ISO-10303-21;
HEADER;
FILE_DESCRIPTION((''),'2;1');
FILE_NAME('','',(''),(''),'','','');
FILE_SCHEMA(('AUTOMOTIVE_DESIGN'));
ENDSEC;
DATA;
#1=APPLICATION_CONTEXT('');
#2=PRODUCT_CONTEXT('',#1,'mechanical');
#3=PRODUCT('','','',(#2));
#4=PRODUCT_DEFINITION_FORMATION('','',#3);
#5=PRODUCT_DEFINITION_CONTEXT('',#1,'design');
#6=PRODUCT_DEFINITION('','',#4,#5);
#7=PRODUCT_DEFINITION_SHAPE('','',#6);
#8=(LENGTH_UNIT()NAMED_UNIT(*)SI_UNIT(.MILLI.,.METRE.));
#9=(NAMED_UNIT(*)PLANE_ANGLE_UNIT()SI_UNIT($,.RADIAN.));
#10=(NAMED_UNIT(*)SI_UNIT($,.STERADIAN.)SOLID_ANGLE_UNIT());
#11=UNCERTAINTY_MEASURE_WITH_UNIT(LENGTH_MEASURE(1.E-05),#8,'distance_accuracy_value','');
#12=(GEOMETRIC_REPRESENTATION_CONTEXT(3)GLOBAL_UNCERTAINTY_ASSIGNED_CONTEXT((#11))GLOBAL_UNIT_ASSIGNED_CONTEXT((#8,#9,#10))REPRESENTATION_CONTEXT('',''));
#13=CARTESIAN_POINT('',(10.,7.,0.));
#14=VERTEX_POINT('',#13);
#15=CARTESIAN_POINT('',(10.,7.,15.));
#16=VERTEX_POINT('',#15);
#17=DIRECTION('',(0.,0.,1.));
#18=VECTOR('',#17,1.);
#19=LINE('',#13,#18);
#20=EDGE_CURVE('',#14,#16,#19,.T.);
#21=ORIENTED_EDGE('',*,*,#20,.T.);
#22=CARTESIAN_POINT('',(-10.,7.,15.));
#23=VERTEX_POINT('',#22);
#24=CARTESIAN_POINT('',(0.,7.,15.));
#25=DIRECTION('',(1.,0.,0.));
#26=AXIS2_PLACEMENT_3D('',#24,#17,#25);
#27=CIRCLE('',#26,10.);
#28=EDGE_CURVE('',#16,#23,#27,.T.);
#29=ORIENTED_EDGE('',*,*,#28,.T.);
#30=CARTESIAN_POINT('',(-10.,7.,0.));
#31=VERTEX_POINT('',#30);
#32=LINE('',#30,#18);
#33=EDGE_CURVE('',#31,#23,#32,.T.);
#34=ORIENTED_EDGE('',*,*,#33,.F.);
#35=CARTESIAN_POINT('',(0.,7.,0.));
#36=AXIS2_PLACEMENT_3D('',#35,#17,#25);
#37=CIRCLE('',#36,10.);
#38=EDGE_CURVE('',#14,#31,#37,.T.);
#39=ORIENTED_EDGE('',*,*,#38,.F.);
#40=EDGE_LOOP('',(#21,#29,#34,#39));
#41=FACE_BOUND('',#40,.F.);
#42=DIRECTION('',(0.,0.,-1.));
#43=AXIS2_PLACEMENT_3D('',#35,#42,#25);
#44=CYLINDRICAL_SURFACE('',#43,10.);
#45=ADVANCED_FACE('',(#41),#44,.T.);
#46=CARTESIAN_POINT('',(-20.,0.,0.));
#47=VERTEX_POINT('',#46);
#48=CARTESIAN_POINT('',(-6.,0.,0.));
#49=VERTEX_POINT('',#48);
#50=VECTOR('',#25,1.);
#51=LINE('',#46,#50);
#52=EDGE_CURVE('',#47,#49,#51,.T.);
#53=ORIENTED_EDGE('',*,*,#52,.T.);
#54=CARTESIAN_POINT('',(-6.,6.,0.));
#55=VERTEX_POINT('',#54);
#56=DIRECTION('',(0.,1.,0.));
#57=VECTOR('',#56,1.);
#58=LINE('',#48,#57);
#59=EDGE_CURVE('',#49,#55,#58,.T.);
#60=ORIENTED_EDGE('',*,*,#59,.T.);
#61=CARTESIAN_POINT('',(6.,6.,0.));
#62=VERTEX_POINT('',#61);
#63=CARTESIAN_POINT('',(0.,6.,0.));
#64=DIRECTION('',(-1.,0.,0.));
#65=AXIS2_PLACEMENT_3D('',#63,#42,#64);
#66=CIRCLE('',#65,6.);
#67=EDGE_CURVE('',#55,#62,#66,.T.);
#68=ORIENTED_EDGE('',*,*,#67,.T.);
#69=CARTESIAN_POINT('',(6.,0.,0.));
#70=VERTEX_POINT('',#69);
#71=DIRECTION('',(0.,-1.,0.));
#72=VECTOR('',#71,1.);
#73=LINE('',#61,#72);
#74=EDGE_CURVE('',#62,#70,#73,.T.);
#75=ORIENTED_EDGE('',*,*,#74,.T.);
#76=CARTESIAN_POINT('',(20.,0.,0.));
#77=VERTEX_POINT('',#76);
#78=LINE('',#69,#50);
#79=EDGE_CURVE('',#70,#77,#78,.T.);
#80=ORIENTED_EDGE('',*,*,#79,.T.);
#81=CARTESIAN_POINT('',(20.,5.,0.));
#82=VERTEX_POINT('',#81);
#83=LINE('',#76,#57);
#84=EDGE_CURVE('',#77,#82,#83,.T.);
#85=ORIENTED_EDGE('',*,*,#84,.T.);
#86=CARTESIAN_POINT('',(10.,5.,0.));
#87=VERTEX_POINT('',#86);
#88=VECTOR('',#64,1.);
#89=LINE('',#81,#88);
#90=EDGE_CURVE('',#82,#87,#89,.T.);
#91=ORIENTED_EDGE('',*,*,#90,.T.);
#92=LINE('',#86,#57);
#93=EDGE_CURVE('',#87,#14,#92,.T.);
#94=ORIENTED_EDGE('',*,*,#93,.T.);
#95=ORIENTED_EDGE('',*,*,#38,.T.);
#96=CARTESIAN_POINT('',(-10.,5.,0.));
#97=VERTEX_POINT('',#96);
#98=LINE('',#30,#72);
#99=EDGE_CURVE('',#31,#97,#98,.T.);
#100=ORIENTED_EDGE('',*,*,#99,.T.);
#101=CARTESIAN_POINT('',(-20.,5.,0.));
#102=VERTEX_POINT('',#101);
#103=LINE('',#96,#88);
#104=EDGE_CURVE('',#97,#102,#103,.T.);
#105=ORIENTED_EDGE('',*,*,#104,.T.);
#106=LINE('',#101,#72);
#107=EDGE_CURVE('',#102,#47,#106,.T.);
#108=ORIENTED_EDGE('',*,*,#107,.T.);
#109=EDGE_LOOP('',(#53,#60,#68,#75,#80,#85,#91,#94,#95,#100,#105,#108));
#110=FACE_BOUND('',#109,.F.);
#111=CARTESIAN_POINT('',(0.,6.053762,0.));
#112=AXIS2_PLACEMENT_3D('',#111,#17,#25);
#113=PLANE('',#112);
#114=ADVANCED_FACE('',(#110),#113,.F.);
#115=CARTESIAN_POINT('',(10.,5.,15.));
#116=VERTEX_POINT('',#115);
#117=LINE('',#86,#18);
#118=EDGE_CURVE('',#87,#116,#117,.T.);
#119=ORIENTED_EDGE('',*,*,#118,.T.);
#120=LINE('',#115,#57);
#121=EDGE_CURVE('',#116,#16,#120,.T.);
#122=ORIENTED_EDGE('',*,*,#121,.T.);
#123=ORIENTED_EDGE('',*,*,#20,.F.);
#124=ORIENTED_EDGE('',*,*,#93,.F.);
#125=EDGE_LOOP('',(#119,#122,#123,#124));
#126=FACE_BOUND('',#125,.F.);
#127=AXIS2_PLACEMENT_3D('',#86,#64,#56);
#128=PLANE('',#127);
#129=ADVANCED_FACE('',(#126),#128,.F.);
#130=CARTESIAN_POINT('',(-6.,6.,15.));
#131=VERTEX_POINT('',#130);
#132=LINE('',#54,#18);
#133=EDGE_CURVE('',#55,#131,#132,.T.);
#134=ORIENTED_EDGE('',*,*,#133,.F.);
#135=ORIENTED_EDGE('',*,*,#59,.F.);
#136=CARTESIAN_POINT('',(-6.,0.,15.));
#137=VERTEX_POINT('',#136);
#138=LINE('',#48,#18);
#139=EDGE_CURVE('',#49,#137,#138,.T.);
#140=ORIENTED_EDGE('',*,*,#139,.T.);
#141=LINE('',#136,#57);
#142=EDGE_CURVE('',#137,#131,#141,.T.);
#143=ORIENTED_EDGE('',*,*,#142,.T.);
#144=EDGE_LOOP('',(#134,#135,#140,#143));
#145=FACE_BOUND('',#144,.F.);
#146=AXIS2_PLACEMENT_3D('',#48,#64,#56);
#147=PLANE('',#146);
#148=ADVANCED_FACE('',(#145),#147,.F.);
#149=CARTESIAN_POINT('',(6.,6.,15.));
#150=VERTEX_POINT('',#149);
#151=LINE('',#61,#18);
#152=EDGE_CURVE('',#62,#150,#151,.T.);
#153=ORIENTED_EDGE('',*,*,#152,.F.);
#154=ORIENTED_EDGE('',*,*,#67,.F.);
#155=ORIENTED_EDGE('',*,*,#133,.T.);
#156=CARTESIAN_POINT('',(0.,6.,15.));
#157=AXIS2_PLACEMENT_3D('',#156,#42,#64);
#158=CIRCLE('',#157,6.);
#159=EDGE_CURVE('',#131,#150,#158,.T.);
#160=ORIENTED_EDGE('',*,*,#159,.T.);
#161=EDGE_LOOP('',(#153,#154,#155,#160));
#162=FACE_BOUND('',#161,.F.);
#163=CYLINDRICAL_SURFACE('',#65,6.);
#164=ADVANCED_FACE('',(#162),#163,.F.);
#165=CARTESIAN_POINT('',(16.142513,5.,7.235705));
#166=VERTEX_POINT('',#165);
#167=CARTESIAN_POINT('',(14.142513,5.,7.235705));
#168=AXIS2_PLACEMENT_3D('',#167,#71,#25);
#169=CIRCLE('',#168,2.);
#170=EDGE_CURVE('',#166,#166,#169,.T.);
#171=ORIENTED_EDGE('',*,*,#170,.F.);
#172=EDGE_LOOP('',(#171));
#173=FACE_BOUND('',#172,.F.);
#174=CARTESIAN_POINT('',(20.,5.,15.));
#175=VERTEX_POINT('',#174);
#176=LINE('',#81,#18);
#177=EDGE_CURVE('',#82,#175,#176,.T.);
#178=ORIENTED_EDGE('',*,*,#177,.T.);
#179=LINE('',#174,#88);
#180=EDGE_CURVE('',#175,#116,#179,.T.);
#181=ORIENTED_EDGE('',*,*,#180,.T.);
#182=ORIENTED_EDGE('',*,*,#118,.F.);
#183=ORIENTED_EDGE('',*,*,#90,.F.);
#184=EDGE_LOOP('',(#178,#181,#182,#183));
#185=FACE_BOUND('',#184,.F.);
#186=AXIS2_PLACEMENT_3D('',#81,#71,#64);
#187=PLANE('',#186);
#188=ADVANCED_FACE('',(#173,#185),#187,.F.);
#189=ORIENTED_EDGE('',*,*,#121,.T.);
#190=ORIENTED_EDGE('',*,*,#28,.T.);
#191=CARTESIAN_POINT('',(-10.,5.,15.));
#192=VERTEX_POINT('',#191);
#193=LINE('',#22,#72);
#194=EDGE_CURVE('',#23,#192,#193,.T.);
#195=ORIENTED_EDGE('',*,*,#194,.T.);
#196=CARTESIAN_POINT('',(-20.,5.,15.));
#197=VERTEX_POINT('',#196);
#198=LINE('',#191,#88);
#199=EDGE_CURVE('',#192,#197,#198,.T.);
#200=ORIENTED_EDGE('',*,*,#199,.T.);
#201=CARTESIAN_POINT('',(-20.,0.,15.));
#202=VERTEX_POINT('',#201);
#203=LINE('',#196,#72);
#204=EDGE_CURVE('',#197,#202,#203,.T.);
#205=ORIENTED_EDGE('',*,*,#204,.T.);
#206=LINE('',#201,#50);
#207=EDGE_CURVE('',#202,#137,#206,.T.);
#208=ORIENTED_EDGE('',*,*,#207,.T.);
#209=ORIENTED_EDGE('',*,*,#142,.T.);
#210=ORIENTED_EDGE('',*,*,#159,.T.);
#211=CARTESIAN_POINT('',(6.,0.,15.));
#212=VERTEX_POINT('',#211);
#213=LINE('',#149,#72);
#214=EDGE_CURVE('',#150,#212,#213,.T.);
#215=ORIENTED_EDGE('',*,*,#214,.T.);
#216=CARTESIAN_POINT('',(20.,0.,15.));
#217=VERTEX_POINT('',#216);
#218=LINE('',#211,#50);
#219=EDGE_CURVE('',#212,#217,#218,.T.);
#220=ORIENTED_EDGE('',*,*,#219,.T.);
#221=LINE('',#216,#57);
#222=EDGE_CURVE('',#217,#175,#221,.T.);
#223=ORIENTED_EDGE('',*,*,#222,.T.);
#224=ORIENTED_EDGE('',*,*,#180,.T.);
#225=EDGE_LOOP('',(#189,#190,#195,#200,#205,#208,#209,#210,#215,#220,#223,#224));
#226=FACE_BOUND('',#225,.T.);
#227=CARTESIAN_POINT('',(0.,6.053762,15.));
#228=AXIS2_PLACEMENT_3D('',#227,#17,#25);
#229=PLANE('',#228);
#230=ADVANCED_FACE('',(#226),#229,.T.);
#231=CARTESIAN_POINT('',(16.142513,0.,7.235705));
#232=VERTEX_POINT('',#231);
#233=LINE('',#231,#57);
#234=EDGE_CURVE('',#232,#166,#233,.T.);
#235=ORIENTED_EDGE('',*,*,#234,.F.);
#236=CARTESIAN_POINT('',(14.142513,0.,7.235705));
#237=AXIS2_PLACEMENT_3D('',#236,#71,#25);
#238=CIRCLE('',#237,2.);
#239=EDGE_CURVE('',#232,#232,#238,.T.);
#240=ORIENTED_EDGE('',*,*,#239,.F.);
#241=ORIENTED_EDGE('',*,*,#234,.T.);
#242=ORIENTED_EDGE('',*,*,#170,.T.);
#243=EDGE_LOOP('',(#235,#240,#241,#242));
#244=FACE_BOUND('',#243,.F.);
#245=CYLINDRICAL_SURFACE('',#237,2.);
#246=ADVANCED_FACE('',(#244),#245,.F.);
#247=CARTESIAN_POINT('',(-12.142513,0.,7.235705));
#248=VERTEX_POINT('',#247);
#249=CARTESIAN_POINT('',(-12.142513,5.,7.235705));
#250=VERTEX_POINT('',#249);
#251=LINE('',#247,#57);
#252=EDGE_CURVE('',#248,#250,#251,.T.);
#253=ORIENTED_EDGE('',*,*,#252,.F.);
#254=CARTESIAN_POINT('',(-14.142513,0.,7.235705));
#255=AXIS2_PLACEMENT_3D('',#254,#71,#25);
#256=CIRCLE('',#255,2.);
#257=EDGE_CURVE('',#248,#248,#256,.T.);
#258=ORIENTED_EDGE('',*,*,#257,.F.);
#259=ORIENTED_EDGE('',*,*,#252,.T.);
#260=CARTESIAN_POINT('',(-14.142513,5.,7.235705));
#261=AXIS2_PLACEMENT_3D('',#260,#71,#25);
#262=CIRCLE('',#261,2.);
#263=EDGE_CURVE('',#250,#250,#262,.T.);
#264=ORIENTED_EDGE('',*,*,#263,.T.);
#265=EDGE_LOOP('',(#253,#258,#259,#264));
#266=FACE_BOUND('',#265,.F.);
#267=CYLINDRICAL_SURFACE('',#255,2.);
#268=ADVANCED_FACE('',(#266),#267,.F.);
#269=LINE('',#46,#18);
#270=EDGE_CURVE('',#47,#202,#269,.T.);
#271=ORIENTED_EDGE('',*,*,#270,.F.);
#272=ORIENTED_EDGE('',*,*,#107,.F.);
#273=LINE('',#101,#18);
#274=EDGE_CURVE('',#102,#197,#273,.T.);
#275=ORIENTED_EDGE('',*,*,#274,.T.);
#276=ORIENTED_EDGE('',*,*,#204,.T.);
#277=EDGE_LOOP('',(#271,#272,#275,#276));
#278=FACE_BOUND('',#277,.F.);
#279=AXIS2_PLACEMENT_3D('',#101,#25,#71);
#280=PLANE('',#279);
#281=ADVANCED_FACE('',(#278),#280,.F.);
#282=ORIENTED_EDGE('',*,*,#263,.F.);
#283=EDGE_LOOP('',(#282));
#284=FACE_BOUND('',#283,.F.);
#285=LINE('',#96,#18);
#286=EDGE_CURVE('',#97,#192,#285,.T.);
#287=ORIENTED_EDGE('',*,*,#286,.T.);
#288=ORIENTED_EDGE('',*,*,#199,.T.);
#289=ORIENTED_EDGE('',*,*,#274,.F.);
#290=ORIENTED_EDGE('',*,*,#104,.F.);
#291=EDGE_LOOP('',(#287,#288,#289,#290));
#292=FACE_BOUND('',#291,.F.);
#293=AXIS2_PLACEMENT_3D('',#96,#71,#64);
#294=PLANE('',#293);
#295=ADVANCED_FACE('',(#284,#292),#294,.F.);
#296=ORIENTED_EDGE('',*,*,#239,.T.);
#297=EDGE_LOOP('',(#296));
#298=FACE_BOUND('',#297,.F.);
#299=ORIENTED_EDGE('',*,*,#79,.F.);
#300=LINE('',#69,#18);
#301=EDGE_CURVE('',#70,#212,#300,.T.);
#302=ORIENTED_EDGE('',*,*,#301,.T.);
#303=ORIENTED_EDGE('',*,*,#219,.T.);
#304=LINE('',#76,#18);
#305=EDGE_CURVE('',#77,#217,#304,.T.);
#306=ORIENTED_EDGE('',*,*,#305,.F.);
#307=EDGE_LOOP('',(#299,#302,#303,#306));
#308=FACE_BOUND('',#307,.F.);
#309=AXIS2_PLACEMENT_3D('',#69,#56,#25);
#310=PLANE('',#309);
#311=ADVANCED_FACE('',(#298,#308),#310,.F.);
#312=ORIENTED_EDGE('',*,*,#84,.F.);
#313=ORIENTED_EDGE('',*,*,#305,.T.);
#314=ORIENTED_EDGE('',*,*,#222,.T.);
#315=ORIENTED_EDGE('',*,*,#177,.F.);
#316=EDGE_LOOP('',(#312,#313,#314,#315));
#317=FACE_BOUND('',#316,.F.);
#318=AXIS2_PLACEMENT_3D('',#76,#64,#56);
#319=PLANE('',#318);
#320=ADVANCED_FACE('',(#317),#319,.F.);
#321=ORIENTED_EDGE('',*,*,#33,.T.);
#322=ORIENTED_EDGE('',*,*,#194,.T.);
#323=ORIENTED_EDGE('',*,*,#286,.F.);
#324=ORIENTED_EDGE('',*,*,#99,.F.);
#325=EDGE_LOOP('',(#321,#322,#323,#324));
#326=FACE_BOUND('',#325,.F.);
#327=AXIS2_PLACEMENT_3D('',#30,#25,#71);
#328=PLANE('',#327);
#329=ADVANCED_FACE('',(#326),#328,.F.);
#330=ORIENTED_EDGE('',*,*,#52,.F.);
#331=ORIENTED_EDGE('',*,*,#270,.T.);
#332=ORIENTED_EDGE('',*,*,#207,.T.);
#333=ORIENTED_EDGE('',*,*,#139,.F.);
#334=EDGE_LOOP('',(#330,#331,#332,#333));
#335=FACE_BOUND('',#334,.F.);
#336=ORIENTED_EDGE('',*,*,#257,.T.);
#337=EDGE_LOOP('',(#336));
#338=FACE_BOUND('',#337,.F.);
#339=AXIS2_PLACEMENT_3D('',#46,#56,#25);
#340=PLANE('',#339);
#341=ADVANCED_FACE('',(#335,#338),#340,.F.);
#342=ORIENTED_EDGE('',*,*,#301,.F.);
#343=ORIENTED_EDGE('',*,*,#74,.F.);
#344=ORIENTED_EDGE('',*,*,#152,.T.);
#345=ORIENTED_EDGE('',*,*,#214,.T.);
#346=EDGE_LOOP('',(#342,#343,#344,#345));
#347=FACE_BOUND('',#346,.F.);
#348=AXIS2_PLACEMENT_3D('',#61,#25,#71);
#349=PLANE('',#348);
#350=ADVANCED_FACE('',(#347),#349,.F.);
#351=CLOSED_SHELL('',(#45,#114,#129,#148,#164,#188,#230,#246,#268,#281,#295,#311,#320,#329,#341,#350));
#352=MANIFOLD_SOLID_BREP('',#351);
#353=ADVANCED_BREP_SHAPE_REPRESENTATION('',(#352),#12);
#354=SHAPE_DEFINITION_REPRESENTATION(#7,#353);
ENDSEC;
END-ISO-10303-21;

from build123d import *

# Parameters (mm, degrees)
F1_DEPTH = 15
F2_R     = 2
F3_DEPTH = 25


with BuildPart() as f1:
    # F0 (on Top) → F1 (new body)
    with BuildSketch(Plane.XY):
        with BuildLine():
            ThreePointArc((10, 7), (0, 17), (-10, 7))
            Line((-10, 7), (-10, 5))
            Line((-10, 5), (-20, 5))
            Line((-20, 5), (-20, 0))
            Line((-20, 0), (-6, 0))
            Line((-6, 0), (-6, 6))
            ThreePointArc((-6, 6), (0, 12), (6, 6))
            Line((6, 6), (6, 0))
            Line((6, 0), (20, 0))
            Line((20, 0), (20, 5))
            Line((20, 5), (10, 5))
            Line((10, 5), (10, 7))
        make_face()
    extrude(amount=F1_DEPTH)

    # F2 (on Front) → F3 (cut)
    with BuildSketch(Plane.XZ):
        with Locations((-14.142513, 7.235705)):
            Circle(F2_R)
        with Locations((14.142513, 7.235705)):
            Circle(F2_R)
    extrude(amount=-F3_DEPTH, mode=Mode.SUBTRACT)


solid = f1.part
